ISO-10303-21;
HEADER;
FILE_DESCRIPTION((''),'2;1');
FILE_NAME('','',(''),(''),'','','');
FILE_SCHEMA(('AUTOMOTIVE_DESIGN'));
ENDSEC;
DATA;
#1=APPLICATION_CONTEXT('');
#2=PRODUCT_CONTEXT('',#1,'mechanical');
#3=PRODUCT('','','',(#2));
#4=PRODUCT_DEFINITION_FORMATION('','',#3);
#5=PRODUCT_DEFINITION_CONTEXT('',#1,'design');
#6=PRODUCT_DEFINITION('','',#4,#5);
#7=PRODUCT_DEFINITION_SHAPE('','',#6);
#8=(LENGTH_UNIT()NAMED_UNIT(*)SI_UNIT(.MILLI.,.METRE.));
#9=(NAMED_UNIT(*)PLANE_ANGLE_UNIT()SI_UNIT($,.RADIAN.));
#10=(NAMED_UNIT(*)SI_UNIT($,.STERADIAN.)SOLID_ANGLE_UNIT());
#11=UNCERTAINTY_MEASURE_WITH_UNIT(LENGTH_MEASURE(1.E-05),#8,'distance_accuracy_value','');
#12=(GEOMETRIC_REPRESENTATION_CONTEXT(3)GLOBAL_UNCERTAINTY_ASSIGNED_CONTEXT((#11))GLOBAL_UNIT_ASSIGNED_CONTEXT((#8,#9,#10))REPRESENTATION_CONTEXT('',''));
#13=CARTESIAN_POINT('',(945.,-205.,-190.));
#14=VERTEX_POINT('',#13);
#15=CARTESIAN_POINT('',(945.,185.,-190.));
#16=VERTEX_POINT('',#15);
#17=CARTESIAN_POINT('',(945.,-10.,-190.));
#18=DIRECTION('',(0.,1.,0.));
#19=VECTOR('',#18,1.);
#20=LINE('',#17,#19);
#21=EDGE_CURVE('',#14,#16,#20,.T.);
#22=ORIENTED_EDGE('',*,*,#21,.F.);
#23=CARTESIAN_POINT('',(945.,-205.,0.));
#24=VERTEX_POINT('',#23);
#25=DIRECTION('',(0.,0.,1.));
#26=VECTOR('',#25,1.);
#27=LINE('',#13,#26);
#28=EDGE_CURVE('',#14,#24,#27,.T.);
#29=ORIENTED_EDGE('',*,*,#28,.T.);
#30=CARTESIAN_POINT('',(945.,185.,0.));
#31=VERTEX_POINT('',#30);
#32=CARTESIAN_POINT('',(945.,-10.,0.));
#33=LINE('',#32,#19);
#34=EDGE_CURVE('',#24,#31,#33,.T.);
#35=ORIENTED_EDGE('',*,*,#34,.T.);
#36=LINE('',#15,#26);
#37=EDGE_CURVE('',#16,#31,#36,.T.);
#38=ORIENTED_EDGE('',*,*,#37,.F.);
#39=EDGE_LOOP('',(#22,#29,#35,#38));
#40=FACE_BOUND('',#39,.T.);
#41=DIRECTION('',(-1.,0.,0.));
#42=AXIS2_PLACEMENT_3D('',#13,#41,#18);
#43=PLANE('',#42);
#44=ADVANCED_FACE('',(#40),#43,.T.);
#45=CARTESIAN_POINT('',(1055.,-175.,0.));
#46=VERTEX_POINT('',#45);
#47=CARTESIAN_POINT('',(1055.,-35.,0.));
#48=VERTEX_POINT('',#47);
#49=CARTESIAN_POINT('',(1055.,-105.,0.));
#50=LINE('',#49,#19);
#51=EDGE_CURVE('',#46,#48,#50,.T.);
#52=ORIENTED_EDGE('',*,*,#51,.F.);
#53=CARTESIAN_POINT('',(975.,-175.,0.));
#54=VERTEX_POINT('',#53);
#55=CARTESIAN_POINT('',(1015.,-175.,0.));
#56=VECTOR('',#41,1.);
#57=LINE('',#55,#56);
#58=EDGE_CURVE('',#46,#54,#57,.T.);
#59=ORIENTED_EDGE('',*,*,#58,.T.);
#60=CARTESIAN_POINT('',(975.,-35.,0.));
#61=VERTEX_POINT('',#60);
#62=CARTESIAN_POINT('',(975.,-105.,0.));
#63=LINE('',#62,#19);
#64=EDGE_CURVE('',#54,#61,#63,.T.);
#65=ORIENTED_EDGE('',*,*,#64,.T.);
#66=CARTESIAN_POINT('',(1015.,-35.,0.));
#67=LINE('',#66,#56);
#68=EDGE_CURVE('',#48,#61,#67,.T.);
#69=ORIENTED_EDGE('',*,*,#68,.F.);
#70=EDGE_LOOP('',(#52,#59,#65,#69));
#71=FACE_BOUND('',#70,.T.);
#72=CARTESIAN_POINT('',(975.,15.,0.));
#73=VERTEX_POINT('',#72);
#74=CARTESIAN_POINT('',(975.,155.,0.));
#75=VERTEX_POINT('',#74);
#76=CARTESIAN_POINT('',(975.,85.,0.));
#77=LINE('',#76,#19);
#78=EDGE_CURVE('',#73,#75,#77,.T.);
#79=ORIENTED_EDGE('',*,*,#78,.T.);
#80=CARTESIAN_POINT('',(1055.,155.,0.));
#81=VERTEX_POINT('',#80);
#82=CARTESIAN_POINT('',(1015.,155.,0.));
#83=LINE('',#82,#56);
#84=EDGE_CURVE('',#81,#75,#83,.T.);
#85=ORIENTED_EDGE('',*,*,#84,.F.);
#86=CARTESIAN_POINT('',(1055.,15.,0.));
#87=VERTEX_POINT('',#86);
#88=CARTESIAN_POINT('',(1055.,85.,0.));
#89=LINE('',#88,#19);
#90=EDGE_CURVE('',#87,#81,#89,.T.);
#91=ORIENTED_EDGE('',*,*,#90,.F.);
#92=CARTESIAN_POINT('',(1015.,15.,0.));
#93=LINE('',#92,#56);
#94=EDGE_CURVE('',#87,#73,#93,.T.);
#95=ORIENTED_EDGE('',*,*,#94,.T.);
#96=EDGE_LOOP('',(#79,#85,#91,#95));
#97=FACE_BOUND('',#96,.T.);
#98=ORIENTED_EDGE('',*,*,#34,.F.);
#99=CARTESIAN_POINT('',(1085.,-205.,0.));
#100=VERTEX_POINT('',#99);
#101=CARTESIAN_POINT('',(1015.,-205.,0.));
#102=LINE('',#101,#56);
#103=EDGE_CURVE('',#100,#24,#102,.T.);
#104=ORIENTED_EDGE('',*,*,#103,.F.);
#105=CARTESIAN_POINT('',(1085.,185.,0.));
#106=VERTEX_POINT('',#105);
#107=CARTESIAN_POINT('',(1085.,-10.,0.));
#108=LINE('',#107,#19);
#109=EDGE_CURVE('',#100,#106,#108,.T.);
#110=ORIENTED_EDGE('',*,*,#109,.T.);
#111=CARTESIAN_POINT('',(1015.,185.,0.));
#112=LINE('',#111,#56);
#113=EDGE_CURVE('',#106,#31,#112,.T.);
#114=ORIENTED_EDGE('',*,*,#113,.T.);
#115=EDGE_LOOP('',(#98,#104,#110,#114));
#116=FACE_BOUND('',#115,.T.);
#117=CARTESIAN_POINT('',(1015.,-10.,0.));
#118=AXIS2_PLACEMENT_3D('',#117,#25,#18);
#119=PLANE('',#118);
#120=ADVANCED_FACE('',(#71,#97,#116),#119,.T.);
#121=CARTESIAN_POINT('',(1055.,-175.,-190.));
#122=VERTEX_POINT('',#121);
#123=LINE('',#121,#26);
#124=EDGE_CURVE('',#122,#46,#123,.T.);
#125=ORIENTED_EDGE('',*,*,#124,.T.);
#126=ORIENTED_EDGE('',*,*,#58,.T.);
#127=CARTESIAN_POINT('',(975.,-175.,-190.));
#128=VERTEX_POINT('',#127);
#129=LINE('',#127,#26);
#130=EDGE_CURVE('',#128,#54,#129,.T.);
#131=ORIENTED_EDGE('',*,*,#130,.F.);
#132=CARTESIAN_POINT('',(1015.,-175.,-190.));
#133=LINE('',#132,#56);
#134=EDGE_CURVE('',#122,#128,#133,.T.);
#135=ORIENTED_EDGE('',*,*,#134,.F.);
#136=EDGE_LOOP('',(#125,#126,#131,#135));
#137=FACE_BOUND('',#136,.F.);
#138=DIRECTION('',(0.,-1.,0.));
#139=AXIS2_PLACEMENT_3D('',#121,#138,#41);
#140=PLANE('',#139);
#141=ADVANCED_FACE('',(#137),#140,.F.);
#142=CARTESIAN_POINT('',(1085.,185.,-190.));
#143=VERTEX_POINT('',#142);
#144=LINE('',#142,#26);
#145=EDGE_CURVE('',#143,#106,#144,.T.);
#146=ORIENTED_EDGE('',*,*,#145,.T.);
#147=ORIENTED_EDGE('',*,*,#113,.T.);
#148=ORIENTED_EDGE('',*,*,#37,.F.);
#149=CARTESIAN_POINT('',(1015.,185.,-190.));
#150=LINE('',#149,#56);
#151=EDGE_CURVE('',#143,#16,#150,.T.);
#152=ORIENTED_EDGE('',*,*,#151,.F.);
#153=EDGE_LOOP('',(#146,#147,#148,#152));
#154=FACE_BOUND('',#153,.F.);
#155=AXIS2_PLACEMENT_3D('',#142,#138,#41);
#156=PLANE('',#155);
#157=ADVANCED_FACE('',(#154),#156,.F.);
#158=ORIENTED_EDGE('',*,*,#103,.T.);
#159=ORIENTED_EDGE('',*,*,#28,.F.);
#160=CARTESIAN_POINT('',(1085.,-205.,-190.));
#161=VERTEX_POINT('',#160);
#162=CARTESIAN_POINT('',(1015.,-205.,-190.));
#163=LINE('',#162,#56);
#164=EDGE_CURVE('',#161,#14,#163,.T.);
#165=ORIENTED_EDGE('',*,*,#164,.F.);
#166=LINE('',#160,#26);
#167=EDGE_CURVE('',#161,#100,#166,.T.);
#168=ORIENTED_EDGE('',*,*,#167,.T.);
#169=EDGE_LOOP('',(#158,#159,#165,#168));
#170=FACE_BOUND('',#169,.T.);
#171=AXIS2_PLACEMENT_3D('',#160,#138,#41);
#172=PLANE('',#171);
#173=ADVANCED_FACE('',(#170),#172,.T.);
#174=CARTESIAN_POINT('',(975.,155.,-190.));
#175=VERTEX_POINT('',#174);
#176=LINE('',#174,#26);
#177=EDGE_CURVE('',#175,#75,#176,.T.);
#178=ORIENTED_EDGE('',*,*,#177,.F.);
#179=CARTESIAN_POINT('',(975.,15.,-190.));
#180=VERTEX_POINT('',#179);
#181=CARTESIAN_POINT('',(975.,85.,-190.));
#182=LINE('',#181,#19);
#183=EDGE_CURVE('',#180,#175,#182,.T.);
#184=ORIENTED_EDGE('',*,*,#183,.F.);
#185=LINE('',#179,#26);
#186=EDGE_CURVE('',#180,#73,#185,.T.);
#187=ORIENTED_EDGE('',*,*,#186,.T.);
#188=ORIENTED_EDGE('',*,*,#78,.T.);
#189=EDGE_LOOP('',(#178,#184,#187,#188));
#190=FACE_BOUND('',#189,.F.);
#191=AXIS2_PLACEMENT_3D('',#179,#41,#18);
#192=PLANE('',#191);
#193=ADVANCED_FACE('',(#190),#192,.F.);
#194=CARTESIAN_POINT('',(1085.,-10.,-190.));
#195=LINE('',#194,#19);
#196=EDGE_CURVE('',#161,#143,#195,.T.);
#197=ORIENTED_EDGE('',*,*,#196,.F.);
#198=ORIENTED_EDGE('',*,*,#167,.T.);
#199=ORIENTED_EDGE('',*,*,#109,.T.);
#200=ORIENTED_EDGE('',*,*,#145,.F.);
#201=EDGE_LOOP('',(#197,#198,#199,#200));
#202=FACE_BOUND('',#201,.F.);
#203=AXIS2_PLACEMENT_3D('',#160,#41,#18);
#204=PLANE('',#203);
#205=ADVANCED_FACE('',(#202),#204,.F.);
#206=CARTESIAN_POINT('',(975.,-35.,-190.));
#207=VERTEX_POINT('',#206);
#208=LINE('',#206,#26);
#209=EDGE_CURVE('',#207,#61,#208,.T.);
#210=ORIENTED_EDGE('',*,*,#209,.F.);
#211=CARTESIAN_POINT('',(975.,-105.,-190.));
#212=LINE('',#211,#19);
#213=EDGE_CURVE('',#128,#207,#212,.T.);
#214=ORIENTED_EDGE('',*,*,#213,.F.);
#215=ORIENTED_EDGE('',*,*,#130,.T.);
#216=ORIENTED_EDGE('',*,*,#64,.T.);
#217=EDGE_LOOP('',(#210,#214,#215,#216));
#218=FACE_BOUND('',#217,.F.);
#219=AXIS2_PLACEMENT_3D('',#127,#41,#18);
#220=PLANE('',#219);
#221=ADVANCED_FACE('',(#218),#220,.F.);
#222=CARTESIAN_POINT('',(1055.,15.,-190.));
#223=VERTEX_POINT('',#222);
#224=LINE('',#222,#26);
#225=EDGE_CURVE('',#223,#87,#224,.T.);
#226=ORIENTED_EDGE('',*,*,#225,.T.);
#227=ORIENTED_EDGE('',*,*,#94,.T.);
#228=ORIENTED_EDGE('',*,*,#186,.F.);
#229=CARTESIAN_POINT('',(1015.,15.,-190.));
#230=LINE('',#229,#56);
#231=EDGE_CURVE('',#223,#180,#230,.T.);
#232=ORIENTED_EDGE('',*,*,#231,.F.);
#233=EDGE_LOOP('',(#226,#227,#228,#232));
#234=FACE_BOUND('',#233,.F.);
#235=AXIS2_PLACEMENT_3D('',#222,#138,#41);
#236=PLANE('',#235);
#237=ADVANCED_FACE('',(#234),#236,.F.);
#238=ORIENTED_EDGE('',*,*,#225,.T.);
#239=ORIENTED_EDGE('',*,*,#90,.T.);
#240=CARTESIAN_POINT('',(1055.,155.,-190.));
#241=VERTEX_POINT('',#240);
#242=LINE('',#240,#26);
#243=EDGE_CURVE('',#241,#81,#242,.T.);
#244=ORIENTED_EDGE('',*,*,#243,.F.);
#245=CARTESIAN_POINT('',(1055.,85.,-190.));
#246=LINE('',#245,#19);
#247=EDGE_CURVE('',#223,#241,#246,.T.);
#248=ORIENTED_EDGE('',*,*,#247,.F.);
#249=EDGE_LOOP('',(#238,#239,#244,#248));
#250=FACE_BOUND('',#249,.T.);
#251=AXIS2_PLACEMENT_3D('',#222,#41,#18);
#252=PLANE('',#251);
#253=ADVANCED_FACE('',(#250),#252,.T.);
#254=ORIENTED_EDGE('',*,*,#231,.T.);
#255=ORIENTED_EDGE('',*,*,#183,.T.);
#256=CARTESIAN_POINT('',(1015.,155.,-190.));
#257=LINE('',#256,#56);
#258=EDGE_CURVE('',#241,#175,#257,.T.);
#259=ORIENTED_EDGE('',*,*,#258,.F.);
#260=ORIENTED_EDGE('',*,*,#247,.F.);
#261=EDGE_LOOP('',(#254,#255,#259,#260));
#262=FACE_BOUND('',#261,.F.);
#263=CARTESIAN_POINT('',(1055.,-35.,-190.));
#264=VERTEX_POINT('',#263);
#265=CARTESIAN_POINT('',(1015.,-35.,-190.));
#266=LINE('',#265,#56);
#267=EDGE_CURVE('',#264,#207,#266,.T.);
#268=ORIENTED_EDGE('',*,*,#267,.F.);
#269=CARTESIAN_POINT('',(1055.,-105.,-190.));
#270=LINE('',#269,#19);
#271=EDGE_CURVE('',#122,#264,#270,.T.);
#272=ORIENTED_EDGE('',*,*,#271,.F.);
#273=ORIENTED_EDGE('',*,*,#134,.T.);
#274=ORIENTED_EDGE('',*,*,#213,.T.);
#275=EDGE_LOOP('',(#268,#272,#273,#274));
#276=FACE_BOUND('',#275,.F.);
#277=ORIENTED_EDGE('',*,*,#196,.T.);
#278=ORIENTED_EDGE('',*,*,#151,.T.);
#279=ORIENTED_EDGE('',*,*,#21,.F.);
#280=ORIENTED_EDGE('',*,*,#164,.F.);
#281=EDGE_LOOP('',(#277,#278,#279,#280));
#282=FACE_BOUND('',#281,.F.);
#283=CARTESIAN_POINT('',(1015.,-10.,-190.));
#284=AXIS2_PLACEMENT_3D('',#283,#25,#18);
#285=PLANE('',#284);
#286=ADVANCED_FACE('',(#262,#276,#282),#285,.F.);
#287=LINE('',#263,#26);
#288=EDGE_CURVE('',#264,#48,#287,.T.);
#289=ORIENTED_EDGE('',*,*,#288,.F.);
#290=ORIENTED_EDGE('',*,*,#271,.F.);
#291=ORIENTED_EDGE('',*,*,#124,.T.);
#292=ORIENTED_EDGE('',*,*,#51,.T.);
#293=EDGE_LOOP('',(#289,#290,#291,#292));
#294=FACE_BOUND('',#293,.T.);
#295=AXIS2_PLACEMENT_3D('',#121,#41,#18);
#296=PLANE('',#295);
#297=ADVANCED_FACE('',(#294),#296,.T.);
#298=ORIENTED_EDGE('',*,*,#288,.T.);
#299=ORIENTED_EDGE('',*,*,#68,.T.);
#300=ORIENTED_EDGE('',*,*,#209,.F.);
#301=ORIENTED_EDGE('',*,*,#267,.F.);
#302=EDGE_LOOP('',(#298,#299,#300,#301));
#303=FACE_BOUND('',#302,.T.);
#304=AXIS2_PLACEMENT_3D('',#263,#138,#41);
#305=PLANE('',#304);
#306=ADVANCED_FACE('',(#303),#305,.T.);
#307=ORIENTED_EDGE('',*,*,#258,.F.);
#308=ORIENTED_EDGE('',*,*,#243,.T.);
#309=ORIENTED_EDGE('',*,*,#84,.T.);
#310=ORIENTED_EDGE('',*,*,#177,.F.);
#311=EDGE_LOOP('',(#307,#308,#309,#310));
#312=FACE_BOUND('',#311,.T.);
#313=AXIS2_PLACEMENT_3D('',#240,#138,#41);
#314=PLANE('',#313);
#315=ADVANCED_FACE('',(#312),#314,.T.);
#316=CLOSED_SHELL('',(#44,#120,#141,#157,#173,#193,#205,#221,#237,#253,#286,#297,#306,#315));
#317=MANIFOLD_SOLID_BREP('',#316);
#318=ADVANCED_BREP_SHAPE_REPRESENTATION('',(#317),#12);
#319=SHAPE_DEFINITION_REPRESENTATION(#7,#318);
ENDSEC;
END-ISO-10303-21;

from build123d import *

# Parameters (mm, degrees)
BOX119_W               = 140
BOX119_H               = 80
BOX119_DEPTH           = 190
BOX120_W               = 140
BOX120_H               = 80
BOX120_DEPTH           = 190
BOX121_W               = 390
BOX121_H               = 140
BOX121_DEPTH           = 190
CUT018_PLACEMENT_ANGLE = 90


with BuildPart() as cube091:
    # Box119 → Box119 (new body)
    with BuildSketch(Plane(origin=(220, 30, 0), x_dir=(1, 0, 0), z_dir=(0, 0, 1))):
        with Locations((70, 40)):
            Rectangle(BOX119_W, BOX119_H)
    extrude(amount=BOX119_DEPTH)


with BuildPart() as fusion023:
    # Box120 → Box120 (new body)
    with BuildSketch(Plane(origin=(30, 30, 0), x_dir=(1, 0, 0), z_dir=(0, 0, 1))):
        with Locations((70, 40)):
            Rectangle(BOX120_W, BOX120_H)
    extrude(amount=BOX120_DEPTH)

    # Fusion023: union Cube091
    add(cube091.part)


with BuildPart() as cut018:
    # Box121 → Box121 (new body)
    with BuildSketch(Plane.XY):
        with Locations((195, 70)):
            Rectangle(BOX121_W, BOX121_H)
    extrude(amount=BOX121_DEPTH)

    # Cut018: cut Fusion023
    add(fusion023.part, mode=Mode.SUBTRACT)


with BuildPart() as cut018_1:
    # Cut018 placement: moved
    add(cut018.part.moved(Location((1085, -205, -190))).rotate(Axis((1085, -205, -190), (0, 0, 1)), CUT018_PLACEMENT_ANGLE))


solid = cut018_1.part
